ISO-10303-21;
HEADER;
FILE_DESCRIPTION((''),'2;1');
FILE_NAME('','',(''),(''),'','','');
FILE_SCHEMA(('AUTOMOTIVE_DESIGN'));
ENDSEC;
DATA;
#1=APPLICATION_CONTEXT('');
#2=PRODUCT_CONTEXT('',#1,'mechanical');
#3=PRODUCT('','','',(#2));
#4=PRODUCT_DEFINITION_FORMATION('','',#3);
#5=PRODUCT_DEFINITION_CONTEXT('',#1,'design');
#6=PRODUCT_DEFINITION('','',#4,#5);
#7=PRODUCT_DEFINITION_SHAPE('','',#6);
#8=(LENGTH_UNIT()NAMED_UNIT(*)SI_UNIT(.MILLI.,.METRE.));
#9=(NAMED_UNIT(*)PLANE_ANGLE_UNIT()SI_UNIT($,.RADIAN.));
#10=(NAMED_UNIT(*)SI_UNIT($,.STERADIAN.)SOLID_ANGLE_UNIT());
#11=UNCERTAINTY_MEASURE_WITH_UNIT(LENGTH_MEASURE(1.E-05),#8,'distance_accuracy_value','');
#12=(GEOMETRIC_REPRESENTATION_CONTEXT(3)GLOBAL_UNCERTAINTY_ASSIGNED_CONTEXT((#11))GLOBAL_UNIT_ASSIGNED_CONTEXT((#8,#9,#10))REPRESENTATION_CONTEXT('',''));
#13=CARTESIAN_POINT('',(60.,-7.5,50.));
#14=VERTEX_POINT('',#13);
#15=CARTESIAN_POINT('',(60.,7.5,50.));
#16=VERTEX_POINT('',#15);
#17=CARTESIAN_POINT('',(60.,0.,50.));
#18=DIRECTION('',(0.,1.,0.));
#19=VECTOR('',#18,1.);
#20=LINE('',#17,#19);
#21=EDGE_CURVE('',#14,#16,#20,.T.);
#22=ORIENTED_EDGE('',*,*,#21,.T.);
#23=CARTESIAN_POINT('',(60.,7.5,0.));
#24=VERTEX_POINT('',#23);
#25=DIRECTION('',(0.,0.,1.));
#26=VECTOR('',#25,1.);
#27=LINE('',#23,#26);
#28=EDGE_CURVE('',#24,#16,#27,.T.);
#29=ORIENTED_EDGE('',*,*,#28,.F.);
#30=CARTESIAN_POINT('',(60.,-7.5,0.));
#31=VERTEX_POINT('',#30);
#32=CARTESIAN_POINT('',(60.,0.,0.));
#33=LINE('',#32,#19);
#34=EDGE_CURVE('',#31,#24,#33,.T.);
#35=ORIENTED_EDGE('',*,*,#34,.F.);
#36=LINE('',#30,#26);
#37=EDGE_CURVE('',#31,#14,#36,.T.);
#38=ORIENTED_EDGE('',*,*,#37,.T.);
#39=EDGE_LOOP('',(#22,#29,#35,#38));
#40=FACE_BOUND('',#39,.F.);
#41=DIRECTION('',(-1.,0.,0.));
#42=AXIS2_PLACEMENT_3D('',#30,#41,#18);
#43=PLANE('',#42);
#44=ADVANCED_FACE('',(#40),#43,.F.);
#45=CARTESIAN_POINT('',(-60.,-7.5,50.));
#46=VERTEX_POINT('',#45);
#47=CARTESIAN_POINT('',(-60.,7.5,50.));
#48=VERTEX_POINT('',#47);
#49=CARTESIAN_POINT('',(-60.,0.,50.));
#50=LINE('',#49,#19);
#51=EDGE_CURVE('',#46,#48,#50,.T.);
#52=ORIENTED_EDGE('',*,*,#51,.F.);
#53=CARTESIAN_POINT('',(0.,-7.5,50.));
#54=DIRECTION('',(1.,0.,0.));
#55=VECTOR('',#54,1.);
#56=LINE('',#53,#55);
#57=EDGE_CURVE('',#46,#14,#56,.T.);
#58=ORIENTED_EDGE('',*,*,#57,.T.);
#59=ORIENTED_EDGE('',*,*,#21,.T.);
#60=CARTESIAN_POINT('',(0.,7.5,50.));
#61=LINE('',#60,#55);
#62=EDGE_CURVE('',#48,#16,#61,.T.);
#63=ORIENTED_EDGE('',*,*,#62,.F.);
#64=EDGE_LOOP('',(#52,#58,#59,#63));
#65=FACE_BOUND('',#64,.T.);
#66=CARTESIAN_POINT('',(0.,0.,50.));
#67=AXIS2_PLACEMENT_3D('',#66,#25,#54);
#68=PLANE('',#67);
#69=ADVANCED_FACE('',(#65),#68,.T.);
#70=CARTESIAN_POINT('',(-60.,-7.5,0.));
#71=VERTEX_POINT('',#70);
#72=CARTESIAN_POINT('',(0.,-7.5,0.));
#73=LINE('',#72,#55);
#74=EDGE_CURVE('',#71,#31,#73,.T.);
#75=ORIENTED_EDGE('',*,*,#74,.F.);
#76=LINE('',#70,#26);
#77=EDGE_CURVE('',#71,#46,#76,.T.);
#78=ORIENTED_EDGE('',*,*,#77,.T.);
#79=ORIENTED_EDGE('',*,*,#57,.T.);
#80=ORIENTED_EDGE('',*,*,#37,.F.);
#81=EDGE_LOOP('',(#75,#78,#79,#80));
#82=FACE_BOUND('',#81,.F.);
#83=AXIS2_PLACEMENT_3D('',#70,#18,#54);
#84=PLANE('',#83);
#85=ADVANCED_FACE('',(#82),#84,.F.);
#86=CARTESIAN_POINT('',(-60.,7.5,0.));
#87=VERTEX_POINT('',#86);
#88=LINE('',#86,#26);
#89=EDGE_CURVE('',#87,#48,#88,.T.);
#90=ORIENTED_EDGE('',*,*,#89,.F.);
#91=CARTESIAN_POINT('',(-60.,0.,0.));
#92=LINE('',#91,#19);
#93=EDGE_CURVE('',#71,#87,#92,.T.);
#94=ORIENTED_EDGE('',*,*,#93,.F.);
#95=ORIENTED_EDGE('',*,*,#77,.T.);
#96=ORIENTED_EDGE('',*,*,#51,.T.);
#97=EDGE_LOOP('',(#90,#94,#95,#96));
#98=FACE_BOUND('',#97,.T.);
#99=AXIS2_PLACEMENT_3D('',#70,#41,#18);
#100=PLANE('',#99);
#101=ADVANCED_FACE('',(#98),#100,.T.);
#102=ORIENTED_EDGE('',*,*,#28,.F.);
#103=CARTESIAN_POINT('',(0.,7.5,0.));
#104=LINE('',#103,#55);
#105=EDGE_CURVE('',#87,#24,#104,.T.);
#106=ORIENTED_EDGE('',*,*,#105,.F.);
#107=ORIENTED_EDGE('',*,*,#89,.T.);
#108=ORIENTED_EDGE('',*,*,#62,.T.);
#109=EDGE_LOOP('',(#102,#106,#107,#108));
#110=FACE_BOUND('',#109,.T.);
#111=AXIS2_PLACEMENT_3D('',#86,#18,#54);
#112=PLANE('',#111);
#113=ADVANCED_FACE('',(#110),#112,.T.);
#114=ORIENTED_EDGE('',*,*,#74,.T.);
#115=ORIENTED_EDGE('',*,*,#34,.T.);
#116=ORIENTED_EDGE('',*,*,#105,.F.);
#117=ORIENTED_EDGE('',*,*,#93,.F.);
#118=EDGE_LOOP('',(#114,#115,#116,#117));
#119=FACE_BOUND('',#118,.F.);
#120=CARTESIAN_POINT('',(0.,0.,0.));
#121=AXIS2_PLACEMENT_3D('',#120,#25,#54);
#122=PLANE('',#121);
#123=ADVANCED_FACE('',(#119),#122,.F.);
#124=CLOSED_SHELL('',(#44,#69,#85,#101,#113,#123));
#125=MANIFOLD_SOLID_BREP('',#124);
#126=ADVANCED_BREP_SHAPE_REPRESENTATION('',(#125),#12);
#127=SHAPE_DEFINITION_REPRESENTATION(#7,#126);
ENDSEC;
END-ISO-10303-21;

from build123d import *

# Parameters (mm, degrees)
SKETCH_W      = 120
SKETCH_H      = 15
EXTRUDE_DEPTH = 50


with BuildPart() as part:
    # Sketch → Extrude (new body)
    with BuildSketch(Plane.XY):
        Rectangle(SKETCH_W, SKETCH_H)
    extrude(amount=EXTRUDE_DEPTH)


solid = part.part
